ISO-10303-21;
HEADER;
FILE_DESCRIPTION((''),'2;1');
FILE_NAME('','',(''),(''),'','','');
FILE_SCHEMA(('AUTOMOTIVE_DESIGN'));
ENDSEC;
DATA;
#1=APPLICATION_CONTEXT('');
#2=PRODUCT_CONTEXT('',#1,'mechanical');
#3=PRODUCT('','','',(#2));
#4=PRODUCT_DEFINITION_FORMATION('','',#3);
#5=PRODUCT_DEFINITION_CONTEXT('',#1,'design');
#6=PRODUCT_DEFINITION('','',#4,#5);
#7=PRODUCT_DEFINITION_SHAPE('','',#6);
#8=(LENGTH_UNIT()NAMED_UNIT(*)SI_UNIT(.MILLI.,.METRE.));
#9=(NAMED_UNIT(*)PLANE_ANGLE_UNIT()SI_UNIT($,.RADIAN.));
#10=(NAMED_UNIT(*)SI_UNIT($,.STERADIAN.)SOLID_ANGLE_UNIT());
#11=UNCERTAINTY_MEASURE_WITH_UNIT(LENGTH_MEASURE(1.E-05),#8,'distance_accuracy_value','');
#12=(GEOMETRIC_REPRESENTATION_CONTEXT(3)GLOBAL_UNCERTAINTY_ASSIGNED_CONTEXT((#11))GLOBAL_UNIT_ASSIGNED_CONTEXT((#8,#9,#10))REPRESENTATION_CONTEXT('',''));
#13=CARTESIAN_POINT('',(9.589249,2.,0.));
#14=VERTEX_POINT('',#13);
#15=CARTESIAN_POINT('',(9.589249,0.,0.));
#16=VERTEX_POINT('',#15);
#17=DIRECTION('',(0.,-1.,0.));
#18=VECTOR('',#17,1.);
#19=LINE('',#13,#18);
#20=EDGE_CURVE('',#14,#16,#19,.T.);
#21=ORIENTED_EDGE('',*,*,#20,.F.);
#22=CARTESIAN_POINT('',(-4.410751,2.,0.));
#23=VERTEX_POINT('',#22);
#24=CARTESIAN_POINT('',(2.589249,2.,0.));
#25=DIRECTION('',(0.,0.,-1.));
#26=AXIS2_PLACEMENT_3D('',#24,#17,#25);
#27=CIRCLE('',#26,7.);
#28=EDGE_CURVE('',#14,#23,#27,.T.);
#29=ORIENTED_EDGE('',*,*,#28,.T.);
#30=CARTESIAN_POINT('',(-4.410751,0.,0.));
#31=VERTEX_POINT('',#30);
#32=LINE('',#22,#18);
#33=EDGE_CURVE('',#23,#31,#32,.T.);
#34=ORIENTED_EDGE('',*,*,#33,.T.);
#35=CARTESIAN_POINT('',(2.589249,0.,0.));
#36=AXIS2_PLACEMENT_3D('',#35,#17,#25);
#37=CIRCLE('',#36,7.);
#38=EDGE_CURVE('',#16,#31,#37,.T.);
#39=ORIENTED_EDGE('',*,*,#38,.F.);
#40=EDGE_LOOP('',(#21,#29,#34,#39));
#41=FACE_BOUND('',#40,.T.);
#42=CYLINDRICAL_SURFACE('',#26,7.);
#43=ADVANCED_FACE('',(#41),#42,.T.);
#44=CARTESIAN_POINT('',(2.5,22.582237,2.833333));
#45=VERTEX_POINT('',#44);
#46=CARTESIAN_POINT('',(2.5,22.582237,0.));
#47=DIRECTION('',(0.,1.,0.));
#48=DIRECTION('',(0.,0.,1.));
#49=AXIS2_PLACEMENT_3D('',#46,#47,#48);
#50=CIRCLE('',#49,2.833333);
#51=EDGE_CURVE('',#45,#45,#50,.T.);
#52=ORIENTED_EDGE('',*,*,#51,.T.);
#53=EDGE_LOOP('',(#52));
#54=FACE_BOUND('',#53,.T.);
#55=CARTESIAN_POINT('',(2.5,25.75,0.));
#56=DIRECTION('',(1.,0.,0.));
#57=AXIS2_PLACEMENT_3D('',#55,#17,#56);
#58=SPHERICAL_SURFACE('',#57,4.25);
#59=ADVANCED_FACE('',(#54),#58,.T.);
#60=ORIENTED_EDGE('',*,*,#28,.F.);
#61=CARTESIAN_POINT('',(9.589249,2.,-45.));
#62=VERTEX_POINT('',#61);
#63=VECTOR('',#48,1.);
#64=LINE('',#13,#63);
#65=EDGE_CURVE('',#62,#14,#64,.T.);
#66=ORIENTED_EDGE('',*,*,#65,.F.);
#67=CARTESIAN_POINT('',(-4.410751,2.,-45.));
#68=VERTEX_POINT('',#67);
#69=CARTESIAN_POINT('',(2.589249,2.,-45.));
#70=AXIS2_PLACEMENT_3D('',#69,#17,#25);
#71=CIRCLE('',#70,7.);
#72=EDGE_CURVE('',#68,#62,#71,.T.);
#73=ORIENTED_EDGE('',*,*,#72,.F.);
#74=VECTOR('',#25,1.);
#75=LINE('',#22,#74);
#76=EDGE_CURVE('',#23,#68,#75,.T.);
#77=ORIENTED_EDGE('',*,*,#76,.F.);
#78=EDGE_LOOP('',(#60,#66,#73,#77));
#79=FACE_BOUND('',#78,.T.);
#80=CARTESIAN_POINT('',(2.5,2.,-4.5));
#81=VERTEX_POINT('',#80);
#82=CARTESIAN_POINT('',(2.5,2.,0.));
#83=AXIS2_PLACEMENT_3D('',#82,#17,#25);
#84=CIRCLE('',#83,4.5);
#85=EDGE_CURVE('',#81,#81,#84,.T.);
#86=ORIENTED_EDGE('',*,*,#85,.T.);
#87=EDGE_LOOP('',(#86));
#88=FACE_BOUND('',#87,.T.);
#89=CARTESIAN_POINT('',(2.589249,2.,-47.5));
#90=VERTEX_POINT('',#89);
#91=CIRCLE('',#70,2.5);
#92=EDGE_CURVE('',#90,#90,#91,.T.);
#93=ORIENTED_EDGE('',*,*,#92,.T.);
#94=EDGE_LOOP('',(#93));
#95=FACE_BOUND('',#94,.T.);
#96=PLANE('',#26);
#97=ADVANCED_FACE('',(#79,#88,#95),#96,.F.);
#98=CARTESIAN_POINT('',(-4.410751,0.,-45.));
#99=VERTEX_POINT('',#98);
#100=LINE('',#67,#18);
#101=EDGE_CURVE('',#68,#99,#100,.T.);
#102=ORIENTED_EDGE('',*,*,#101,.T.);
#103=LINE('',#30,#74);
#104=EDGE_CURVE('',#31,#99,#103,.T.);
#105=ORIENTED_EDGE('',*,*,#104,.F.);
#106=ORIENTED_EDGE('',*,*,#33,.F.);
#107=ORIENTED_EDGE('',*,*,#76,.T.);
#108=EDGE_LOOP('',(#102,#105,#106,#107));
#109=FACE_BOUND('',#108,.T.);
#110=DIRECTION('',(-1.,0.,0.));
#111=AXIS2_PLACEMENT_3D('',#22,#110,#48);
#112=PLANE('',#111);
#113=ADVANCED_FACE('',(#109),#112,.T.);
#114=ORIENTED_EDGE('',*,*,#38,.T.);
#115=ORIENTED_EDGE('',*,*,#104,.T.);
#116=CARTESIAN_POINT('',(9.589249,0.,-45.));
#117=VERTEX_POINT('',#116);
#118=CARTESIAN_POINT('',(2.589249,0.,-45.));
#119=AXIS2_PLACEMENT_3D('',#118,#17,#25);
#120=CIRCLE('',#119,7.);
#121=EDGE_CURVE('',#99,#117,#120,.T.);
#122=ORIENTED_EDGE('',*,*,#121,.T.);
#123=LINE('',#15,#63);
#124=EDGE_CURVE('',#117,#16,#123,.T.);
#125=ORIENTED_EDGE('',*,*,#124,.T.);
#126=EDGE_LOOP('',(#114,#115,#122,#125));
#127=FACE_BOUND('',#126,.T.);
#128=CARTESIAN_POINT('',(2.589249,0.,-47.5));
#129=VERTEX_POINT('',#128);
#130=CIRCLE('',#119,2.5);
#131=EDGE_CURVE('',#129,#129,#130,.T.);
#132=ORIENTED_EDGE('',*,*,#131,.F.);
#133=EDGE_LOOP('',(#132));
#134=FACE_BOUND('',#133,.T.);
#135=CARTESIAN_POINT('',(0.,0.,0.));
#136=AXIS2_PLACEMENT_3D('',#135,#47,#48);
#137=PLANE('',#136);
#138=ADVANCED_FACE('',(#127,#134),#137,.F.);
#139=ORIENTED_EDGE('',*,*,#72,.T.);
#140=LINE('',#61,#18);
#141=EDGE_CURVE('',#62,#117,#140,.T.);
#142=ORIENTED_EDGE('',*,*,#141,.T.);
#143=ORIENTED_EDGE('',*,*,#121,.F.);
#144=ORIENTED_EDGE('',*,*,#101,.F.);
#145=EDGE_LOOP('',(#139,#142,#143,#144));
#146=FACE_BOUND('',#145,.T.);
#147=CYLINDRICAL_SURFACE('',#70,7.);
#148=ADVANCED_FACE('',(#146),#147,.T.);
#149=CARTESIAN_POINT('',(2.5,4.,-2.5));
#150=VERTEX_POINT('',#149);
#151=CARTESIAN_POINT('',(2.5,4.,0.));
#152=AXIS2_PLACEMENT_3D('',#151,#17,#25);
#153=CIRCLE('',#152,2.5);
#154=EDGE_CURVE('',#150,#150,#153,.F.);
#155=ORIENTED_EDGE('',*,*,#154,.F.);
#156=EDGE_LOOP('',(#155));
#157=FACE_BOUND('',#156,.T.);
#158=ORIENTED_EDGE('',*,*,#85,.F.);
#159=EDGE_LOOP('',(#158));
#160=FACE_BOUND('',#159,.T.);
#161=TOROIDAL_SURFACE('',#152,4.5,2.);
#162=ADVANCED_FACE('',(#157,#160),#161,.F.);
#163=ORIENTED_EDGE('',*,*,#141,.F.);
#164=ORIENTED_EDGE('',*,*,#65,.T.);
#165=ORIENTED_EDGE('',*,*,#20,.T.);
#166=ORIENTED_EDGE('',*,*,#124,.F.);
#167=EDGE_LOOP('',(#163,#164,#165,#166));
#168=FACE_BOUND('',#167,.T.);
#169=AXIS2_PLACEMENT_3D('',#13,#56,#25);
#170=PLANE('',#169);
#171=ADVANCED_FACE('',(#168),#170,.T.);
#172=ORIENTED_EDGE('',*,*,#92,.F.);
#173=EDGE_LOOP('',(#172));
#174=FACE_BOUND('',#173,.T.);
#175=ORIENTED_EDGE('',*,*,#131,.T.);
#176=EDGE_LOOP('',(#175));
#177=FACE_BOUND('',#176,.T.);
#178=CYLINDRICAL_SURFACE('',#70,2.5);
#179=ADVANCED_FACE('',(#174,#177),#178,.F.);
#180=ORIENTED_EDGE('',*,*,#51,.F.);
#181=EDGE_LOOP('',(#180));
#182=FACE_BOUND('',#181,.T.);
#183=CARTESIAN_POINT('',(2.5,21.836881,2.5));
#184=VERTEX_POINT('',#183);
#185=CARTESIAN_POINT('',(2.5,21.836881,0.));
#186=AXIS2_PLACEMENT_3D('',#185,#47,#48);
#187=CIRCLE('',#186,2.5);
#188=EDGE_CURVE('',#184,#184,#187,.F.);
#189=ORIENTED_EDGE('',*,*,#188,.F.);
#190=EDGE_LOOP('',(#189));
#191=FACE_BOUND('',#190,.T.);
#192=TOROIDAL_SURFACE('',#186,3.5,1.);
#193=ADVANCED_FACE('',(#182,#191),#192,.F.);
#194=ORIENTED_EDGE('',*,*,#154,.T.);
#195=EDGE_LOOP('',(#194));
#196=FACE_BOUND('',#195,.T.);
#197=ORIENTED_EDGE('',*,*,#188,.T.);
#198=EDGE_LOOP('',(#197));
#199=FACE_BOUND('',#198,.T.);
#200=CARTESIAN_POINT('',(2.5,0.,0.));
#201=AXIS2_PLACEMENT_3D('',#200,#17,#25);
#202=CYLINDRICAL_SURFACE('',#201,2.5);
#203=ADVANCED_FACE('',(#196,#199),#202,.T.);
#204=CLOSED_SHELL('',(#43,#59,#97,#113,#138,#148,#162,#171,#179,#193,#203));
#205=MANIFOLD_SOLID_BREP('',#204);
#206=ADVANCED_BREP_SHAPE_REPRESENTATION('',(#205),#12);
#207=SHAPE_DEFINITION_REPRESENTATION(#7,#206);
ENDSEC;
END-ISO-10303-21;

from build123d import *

# Parameters (mm, degrees)
SKETCH4_R           = 2.5
BOSS_EXTRUDE1_DEPTH = 2
FILLET1_R           = 2
FILLET2_R           = 1


with BuildPart() as part:
    # Sketch3 → Revolve1 (revolve)
    with BuildSketch(Plane.XY, mode=Mode.PRIVATE) as revolve1_sk:
        with BuildLine():
            Line((0, 0), (0, 22.313068229))
            ThreePointArc((0, 22.313068229), (-1.541624675, 27.064446646), (2.5, 30))
            Line((2.5, 30), (2.5, 0))
            Line((2.5, 0), (0, 0))
        make_face()
    revolve(revolve1_sk.sketch.rotate(Axis((2.5, 0, 0), (0, 1, 0)), 180), axis=Axis((2.5, 0, 0), (0, 1, 0)))

    # Sketch4 → Boss-Extrude1 (add)
    with BuildSketch(Plane.XZ):
        with BuildLine():
            Line((9.589249496, 0), (9.589249496, -45))
            ThreePointArc((9.589249496, -45), (2.589249496, -52), (-4.410750504, -45))
            Line((-4.410750504, -45), (-4.410750504, 0))
            ThreePointArc((-4.410750504, 0), (2.589249496, 7), (9.589249496, 0))
        make_face()
        with Locations(Location((2.589249496, -45, 0), (0, 0, 270))):
            Circle(SKETCH4_R, mode=Mode.SUBTRACT)
    extrude(amount=-BOSS_EXTRUDE1_DEPTH)

    # Fillet1
    fillet1_edges = [part.edges().sort_by_distance(p)[0] for p in [
        (0, 2, 0),
    ]]
    fillet(fillet1_edges, radius=FILLET1_R)

    # Fillet2
    fillet2_edges = [part.edges().sort_by_distance(p)[0] for p in [
        (0, 22.313068229, 0),
    ]]
    fillet(fillet2_edges, radius=FILLET2_R)


solid = part.part
